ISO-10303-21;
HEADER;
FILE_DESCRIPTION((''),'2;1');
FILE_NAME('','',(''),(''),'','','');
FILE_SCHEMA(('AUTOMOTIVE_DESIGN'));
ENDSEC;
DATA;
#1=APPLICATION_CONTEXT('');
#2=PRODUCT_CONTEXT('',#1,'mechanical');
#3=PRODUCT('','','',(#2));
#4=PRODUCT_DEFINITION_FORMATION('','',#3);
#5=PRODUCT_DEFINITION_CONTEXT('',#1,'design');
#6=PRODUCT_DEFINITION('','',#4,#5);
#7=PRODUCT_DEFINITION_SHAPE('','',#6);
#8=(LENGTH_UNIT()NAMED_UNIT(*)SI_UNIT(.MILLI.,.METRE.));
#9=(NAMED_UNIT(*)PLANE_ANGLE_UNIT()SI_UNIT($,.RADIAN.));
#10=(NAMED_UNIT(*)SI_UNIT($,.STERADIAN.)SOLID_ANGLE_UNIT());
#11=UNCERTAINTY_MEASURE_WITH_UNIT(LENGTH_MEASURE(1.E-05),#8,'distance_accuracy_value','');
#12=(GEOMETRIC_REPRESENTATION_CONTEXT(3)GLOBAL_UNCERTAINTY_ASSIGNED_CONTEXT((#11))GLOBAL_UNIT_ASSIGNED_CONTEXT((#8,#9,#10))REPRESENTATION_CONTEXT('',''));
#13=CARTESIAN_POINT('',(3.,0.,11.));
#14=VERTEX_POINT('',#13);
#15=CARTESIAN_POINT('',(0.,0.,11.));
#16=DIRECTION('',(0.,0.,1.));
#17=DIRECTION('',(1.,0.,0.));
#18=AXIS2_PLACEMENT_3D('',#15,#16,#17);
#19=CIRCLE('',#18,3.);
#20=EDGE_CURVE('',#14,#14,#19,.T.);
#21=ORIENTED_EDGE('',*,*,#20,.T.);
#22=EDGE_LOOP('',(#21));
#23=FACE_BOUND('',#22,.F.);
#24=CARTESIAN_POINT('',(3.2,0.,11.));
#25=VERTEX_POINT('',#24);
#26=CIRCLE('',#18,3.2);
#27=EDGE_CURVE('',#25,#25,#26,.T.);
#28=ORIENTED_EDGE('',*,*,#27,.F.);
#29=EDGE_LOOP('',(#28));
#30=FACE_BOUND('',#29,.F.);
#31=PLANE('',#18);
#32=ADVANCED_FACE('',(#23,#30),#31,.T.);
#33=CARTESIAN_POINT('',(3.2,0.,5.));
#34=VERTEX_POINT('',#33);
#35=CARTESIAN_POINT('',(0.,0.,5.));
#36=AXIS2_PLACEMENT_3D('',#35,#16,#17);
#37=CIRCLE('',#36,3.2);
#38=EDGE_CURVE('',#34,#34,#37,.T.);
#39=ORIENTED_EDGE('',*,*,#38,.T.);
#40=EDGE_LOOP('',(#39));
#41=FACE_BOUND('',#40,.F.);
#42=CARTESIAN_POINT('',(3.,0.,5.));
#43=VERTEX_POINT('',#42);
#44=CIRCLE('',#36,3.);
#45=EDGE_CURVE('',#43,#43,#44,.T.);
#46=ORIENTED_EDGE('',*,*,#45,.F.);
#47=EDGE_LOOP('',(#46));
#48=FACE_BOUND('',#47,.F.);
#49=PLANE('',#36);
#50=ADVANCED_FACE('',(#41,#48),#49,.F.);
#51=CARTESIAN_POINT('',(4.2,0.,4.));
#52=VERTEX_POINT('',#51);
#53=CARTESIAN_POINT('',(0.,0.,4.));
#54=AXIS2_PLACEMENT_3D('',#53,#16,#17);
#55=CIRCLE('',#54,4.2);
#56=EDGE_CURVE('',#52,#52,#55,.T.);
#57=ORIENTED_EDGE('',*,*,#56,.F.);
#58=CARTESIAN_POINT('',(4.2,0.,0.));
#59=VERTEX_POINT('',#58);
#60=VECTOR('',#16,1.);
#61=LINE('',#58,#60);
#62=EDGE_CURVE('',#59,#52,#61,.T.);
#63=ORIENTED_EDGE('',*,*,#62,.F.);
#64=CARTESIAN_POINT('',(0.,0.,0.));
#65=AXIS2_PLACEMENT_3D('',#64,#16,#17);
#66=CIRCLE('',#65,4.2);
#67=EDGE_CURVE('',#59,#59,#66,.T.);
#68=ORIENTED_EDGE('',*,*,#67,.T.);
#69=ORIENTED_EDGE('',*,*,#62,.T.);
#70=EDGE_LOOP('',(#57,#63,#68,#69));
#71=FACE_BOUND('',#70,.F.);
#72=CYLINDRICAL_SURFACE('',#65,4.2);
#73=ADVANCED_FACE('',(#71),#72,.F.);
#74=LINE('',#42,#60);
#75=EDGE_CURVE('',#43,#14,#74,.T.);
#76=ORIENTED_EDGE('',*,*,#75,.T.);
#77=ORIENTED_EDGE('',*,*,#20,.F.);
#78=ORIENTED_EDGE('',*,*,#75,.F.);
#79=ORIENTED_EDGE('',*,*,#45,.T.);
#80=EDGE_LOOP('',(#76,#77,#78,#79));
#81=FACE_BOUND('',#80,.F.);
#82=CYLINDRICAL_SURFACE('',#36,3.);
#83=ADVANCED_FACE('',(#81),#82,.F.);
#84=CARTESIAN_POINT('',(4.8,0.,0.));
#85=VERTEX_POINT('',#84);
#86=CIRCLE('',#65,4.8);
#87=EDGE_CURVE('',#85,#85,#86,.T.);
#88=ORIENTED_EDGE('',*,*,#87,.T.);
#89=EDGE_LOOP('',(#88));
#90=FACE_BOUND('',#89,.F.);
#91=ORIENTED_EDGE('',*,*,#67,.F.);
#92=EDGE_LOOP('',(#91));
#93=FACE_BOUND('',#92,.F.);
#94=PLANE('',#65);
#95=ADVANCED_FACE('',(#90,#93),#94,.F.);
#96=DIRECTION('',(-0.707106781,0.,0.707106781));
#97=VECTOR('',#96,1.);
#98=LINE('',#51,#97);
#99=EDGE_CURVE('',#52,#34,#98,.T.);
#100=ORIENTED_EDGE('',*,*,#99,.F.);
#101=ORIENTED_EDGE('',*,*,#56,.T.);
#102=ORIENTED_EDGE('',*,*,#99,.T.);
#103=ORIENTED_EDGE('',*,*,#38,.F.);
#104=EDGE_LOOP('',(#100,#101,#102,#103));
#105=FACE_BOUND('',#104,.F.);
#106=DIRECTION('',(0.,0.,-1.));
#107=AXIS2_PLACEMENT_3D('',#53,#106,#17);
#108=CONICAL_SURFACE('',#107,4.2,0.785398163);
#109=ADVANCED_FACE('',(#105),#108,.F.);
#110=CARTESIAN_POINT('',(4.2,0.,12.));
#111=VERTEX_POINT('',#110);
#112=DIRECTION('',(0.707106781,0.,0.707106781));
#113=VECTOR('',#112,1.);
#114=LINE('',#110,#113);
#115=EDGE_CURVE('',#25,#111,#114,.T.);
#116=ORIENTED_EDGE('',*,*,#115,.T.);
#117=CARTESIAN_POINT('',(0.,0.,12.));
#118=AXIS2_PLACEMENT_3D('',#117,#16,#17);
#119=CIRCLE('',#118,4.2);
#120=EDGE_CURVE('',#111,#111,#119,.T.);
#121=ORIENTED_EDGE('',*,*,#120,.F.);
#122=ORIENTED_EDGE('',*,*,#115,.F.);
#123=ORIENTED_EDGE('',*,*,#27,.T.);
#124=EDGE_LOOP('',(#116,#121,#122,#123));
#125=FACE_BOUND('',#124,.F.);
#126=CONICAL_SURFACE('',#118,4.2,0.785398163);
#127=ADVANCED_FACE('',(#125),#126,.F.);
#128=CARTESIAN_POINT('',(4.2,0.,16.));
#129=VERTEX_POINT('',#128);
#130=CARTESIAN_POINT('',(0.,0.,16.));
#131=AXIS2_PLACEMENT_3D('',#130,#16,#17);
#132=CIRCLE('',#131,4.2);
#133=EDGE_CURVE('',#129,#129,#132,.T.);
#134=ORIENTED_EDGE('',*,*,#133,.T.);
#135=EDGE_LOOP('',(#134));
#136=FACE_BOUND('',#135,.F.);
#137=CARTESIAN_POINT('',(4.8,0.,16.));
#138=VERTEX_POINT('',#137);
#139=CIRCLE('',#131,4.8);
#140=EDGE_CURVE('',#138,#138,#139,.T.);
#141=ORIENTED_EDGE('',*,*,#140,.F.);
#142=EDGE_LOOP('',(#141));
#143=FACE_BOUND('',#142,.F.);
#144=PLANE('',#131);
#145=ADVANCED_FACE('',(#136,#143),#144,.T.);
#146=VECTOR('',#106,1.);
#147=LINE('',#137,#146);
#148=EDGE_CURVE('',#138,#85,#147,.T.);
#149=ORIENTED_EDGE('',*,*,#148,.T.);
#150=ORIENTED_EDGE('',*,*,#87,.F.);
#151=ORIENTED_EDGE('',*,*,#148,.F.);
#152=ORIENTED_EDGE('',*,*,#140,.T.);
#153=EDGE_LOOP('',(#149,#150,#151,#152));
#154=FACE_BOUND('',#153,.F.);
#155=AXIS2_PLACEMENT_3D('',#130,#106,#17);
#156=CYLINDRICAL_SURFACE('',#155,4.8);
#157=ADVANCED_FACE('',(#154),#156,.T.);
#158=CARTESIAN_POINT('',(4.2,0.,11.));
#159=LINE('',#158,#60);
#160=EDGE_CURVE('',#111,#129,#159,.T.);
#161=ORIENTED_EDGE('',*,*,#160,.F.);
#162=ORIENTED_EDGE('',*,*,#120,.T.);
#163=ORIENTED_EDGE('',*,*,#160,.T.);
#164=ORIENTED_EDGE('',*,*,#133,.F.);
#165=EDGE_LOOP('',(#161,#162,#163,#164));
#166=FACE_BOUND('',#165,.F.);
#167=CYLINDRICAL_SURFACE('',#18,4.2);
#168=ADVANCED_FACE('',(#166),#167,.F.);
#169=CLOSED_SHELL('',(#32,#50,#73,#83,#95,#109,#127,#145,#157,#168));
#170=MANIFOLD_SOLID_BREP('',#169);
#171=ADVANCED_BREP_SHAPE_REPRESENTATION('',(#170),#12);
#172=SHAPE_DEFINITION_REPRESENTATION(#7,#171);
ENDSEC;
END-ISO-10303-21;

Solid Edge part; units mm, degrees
sketch "Sketch1" plane through (0, 0, 0) normal (0, -1, 0) x (1, 0, 0)
  line L0 (3, 11) -> (4.2, 11)
  line L1 (4.2, 11) -> (4.2, 16)
  line L2 (4.2, 16) -> (4.8, 16)
  line L3 (4.8, 16) -> (4.8, 0)
  line L4 (4.8, 0) -> (4.2, 0)
  line L5 (4.2, 0) -> (4.2, 5)
  line L6 (4.2, 5) -> (3, 5)
  line L7 (3, 5) -> (3, 11)
revolve "RevolvedProtrusion1" add sketch "Sketch1" angle 360 about axis through (0, 0, 0.6598) along (0, 0, 1)
chamfer "Chamfer1" distance 1 angle 45 2 edges at (-4.2, 0, 5) (-4.2, 0, 11)
